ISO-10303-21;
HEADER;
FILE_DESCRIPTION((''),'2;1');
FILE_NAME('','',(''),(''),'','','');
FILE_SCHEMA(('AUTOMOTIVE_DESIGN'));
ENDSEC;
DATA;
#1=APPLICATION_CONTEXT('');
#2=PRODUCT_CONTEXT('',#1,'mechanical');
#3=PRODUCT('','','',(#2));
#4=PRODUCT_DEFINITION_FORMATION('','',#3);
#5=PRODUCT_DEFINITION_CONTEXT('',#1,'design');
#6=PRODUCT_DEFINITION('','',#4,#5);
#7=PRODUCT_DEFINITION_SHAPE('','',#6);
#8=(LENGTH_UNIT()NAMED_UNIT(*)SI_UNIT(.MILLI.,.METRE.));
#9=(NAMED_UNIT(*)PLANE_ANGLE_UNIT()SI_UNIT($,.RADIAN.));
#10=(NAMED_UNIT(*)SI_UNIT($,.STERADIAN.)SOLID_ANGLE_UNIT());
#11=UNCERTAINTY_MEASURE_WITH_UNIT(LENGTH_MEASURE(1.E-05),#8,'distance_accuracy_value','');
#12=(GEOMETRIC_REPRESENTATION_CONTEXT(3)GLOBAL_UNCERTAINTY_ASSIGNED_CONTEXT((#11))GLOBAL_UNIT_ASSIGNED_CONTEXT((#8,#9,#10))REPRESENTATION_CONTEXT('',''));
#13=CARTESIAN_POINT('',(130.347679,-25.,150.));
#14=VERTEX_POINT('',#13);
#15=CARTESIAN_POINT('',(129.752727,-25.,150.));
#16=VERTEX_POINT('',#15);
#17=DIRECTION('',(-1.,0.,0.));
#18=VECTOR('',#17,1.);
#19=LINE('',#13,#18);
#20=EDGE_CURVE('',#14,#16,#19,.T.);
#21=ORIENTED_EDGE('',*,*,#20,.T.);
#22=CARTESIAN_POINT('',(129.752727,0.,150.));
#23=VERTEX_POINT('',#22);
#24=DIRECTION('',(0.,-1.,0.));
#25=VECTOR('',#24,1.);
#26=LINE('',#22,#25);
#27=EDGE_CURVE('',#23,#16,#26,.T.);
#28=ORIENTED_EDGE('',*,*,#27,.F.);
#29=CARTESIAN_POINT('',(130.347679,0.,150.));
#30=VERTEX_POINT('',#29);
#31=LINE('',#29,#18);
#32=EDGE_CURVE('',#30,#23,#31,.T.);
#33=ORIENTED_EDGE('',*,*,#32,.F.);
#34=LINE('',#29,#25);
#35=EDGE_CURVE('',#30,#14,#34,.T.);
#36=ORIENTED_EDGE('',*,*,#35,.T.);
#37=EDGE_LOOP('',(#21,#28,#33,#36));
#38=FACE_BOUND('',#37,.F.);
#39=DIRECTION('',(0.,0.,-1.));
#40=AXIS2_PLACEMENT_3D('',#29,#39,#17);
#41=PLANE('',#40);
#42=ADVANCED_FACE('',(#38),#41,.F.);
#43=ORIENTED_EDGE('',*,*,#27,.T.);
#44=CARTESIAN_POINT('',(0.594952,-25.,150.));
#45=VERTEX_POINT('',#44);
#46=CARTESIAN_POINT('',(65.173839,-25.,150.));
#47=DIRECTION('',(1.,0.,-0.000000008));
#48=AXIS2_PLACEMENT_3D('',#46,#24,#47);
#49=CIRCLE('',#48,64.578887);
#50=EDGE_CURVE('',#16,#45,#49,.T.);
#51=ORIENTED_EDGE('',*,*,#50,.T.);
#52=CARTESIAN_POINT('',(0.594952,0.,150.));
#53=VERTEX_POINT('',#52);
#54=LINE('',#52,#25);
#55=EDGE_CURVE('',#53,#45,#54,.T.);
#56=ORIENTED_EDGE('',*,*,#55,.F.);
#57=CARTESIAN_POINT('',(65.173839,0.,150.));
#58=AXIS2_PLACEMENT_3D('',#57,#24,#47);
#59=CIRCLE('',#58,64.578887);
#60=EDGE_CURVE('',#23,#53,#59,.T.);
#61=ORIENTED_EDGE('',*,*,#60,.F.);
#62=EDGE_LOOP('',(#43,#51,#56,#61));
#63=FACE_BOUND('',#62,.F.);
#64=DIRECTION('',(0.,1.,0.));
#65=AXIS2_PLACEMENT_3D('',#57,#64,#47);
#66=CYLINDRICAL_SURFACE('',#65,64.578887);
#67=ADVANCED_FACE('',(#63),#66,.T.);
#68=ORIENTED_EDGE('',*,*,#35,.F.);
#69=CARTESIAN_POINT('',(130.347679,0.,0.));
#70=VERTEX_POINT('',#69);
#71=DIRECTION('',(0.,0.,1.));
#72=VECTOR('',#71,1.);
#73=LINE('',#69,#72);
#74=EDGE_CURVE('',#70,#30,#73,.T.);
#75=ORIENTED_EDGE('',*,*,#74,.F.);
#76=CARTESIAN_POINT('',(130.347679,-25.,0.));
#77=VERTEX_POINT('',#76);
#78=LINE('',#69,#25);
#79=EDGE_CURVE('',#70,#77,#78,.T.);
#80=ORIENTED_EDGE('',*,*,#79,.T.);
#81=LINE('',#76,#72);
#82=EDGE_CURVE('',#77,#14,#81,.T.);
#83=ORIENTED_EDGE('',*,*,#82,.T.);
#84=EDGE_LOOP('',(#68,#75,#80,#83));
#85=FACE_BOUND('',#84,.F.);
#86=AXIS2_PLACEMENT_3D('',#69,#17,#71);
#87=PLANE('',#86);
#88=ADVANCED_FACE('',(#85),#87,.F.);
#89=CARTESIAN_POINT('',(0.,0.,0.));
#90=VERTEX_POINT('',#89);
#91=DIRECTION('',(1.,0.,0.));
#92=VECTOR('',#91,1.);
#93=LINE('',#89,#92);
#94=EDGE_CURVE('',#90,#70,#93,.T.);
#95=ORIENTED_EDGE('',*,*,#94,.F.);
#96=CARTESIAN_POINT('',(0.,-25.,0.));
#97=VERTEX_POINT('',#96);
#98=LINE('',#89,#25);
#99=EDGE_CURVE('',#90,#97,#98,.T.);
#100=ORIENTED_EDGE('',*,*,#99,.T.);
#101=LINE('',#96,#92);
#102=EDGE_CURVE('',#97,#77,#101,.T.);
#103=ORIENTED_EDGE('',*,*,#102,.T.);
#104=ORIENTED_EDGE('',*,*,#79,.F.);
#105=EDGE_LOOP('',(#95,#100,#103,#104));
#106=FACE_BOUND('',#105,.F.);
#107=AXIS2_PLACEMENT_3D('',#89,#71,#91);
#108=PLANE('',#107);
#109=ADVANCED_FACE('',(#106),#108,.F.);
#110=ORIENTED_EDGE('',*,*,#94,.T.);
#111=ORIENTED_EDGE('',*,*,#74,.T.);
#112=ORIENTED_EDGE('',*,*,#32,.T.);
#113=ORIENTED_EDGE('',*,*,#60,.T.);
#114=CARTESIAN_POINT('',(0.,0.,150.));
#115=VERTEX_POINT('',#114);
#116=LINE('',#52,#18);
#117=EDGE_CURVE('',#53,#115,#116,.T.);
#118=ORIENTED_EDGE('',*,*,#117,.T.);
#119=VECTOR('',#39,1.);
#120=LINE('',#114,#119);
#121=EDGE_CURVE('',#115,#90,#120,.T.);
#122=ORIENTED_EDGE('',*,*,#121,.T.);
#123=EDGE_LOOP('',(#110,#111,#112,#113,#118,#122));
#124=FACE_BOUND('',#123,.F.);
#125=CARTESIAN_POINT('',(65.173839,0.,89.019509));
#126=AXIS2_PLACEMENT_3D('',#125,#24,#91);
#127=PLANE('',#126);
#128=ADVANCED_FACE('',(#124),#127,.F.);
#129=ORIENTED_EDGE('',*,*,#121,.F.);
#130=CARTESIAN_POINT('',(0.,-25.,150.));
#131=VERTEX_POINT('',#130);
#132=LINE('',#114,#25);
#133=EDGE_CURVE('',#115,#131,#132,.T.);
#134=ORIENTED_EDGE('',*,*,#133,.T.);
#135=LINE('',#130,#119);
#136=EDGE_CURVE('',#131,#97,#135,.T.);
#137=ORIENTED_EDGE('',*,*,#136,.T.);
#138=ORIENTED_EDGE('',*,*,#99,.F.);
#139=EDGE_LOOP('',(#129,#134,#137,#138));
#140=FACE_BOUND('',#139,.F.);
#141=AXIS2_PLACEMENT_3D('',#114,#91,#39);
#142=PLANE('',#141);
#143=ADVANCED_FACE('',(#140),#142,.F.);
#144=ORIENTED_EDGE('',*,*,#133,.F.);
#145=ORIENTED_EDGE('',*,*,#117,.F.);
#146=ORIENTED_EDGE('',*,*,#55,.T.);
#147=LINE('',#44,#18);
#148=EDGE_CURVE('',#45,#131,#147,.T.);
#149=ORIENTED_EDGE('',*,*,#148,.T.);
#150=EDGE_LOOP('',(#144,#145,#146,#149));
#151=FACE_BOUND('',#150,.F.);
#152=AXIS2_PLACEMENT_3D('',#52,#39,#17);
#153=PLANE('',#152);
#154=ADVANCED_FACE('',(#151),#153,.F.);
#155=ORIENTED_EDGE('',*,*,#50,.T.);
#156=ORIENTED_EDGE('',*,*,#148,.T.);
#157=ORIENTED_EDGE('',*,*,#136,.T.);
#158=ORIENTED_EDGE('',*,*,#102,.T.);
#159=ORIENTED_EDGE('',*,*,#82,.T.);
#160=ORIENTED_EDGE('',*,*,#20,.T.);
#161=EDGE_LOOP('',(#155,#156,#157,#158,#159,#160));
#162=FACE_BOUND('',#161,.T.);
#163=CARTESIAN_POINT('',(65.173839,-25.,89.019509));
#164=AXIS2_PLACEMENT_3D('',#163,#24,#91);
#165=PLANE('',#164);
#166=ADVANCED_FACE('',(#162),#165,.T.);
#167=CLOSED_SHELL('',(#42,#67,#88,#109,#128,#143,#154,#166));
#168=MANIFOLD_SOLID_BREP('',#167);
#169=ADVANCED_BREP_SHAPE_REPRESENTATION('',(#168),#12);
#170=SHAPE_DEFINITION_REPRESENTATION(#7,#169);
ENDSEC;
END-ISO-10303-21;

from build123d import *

# Parameters (mm, degrees)
F1_DEPTH = 25


with BuildPart() as f1:
    # F0 (on Front) → F1 (new body)
    with BuildSketch(Plane.XZ):
        with BuildLine():
            Line((0, 150), (0, 0))
            Line((0, 0), (33.5, 0))
            Line((33.5, 0), (33.5, 10))
            Line((33.5, 10), (36.5, 10))
            Line((36.5, 10), (36.5, 0))
            Line((36.5, 0), (93.847679, 0))
            Line((93.847679, 0), (93.847679, 10))
            Line((93.847679, 10), (96.847679, 10))
            Line((96.847679, 10), (96.847679, 0))
            Line((96.847679, 0), (130.347679, 0))
            Line((130.347679, 0), (130.347679, 150))
            Line((130.347679, 150), (129.752727, 150))
            ThreePointArc((129.752727, 150), (65.173839, 214.578888), (0.594952, 150))
            Line((0.594952, 150), (0, 150))
        make_face()
        Polygon((33.5, 10), (33.5, 0), (35, 0), (36.5, 0), (36.5, 10), align=None)
        Polygon((93.847679, 10), (93.847679, 0), (95.347679, 0), (96.847679, 0), (96.847679, 10), align=None)
    extrude(amount=F1_DEPTH)


solid = f1.part
